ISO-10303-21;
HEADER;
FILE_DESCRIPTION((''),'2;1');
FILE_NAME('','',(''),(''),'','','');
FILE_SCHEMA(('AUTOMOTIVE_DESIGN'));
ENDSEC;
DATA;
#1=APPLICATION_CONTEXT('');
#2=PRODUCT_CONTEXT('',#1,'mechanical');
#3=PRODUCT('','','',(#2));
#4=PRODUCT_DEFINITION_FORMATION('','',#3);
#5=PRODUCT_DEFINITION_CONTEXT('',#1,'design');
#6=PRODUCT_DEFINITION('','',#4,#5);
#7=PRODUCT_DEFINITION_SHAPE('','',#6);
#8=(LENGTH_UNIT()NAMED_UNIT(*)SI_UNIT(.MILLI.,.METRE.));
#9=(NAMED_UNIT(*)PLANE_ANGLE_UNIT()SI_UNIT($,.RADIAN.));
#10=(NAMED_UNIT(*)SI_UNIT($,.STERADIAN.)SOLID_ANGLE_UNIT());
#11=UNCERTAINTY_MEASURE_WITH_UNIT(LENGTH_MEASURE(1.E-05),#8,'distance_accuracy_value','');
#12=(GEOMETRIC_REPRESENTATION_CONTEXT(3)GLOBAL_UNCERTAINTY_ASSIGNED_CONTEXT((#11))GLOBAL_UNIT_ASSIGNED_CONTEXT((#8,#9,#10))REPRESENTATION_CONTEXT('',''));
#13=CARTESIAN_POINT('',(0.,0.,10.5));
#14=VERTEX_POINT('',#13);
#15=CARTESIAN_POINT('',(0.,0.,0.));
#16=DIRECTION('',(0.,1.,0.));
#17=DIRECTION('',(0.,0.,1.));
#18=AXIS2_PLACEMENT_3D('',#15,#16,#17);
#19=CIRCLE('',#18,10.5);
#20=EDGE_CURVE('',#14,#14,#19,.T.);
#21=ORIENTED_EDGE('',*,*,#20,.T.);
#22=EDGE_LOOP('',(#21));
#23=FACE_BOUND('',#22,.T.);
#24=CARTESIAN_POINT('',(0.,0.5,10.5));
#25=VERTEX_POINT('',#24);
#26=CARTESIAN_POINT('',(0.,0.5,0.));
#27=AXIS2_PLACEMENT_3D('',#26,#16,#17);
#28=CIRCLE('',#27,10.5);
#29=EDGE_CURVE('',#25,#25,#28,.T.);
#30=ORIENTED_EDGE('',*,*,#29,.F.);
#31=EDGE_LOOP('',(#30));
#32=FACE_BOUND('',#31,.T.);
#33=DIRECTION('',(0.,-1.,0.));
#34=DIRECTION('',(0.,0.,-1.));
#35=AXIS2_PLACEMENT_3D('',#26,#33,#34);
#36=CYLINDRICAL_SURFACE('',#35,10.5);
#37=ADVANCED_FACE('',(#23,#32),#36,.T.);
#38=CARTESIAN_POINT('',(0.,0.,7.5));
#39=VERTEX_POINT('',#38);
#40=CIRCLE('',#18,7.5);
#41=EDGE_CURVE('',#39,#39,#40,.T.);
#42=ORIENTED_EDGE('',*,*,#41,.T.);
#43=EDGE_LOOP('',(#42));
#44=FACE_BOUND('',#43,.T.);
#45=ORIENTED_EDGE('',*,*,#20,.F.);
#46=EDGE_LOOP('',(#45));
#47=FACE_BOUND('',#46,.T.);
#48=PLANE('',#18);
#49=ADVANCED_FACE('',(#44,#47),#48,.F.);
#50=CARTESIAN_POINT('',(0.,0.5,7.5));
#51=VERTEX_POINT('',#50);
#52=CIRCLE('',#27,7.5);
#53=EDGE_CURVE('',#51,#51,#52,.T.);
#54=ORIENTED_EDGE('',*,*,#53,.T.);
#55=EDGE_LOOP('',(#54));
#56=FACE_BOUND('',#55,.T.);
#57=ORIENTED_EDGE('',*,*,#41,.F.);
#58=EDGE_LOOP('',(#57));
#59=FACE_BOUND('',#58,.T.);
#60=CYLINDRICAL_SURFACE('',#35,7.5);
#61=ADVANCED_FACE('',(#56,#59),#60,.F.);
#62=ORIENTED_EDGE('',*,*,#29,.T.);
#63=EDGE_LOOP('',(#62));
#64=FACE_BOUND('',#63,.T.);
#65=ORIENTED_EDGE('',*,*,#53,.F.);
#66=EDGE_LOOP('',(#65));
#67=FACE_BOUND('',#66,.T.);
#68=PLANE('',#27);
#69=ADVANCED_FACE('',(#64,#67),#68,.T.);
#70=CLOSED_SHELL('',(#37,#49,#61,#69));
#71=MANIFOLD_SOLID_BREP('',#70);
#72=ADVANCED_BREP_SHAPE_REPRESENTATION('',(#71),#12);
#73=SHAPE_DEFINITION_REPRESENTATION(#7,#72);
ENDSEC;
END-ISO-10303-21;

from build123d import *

# Parameters (mm, degrees)
SKETCH1_R           = 10.5
SKETCH1_R_2         = 7.5
BOSS_EXTRUDE1_DEPTH = 0.5


with BuildPart() as part:
    # Sketch1 → Boss-Extrude1 (new body)
    with BuildSketch(Plane(origin=(0, 0, 0), x_dir=(1, 0, 0), z_dir=(0, 1, 0))):
        with Locations(Location((0, 0, 0), (0, 0, 270))):
            Circle(SKETCH1_R)
        with Locations(Location((0, 0, 0), (0, 0, 270))):
            Circle(SKETCH1_R_2, mode=Mode.SUBTRACT)
    extrude(amount=BOSS_EXTRUDE1_DEPTH)


solid = part.part
